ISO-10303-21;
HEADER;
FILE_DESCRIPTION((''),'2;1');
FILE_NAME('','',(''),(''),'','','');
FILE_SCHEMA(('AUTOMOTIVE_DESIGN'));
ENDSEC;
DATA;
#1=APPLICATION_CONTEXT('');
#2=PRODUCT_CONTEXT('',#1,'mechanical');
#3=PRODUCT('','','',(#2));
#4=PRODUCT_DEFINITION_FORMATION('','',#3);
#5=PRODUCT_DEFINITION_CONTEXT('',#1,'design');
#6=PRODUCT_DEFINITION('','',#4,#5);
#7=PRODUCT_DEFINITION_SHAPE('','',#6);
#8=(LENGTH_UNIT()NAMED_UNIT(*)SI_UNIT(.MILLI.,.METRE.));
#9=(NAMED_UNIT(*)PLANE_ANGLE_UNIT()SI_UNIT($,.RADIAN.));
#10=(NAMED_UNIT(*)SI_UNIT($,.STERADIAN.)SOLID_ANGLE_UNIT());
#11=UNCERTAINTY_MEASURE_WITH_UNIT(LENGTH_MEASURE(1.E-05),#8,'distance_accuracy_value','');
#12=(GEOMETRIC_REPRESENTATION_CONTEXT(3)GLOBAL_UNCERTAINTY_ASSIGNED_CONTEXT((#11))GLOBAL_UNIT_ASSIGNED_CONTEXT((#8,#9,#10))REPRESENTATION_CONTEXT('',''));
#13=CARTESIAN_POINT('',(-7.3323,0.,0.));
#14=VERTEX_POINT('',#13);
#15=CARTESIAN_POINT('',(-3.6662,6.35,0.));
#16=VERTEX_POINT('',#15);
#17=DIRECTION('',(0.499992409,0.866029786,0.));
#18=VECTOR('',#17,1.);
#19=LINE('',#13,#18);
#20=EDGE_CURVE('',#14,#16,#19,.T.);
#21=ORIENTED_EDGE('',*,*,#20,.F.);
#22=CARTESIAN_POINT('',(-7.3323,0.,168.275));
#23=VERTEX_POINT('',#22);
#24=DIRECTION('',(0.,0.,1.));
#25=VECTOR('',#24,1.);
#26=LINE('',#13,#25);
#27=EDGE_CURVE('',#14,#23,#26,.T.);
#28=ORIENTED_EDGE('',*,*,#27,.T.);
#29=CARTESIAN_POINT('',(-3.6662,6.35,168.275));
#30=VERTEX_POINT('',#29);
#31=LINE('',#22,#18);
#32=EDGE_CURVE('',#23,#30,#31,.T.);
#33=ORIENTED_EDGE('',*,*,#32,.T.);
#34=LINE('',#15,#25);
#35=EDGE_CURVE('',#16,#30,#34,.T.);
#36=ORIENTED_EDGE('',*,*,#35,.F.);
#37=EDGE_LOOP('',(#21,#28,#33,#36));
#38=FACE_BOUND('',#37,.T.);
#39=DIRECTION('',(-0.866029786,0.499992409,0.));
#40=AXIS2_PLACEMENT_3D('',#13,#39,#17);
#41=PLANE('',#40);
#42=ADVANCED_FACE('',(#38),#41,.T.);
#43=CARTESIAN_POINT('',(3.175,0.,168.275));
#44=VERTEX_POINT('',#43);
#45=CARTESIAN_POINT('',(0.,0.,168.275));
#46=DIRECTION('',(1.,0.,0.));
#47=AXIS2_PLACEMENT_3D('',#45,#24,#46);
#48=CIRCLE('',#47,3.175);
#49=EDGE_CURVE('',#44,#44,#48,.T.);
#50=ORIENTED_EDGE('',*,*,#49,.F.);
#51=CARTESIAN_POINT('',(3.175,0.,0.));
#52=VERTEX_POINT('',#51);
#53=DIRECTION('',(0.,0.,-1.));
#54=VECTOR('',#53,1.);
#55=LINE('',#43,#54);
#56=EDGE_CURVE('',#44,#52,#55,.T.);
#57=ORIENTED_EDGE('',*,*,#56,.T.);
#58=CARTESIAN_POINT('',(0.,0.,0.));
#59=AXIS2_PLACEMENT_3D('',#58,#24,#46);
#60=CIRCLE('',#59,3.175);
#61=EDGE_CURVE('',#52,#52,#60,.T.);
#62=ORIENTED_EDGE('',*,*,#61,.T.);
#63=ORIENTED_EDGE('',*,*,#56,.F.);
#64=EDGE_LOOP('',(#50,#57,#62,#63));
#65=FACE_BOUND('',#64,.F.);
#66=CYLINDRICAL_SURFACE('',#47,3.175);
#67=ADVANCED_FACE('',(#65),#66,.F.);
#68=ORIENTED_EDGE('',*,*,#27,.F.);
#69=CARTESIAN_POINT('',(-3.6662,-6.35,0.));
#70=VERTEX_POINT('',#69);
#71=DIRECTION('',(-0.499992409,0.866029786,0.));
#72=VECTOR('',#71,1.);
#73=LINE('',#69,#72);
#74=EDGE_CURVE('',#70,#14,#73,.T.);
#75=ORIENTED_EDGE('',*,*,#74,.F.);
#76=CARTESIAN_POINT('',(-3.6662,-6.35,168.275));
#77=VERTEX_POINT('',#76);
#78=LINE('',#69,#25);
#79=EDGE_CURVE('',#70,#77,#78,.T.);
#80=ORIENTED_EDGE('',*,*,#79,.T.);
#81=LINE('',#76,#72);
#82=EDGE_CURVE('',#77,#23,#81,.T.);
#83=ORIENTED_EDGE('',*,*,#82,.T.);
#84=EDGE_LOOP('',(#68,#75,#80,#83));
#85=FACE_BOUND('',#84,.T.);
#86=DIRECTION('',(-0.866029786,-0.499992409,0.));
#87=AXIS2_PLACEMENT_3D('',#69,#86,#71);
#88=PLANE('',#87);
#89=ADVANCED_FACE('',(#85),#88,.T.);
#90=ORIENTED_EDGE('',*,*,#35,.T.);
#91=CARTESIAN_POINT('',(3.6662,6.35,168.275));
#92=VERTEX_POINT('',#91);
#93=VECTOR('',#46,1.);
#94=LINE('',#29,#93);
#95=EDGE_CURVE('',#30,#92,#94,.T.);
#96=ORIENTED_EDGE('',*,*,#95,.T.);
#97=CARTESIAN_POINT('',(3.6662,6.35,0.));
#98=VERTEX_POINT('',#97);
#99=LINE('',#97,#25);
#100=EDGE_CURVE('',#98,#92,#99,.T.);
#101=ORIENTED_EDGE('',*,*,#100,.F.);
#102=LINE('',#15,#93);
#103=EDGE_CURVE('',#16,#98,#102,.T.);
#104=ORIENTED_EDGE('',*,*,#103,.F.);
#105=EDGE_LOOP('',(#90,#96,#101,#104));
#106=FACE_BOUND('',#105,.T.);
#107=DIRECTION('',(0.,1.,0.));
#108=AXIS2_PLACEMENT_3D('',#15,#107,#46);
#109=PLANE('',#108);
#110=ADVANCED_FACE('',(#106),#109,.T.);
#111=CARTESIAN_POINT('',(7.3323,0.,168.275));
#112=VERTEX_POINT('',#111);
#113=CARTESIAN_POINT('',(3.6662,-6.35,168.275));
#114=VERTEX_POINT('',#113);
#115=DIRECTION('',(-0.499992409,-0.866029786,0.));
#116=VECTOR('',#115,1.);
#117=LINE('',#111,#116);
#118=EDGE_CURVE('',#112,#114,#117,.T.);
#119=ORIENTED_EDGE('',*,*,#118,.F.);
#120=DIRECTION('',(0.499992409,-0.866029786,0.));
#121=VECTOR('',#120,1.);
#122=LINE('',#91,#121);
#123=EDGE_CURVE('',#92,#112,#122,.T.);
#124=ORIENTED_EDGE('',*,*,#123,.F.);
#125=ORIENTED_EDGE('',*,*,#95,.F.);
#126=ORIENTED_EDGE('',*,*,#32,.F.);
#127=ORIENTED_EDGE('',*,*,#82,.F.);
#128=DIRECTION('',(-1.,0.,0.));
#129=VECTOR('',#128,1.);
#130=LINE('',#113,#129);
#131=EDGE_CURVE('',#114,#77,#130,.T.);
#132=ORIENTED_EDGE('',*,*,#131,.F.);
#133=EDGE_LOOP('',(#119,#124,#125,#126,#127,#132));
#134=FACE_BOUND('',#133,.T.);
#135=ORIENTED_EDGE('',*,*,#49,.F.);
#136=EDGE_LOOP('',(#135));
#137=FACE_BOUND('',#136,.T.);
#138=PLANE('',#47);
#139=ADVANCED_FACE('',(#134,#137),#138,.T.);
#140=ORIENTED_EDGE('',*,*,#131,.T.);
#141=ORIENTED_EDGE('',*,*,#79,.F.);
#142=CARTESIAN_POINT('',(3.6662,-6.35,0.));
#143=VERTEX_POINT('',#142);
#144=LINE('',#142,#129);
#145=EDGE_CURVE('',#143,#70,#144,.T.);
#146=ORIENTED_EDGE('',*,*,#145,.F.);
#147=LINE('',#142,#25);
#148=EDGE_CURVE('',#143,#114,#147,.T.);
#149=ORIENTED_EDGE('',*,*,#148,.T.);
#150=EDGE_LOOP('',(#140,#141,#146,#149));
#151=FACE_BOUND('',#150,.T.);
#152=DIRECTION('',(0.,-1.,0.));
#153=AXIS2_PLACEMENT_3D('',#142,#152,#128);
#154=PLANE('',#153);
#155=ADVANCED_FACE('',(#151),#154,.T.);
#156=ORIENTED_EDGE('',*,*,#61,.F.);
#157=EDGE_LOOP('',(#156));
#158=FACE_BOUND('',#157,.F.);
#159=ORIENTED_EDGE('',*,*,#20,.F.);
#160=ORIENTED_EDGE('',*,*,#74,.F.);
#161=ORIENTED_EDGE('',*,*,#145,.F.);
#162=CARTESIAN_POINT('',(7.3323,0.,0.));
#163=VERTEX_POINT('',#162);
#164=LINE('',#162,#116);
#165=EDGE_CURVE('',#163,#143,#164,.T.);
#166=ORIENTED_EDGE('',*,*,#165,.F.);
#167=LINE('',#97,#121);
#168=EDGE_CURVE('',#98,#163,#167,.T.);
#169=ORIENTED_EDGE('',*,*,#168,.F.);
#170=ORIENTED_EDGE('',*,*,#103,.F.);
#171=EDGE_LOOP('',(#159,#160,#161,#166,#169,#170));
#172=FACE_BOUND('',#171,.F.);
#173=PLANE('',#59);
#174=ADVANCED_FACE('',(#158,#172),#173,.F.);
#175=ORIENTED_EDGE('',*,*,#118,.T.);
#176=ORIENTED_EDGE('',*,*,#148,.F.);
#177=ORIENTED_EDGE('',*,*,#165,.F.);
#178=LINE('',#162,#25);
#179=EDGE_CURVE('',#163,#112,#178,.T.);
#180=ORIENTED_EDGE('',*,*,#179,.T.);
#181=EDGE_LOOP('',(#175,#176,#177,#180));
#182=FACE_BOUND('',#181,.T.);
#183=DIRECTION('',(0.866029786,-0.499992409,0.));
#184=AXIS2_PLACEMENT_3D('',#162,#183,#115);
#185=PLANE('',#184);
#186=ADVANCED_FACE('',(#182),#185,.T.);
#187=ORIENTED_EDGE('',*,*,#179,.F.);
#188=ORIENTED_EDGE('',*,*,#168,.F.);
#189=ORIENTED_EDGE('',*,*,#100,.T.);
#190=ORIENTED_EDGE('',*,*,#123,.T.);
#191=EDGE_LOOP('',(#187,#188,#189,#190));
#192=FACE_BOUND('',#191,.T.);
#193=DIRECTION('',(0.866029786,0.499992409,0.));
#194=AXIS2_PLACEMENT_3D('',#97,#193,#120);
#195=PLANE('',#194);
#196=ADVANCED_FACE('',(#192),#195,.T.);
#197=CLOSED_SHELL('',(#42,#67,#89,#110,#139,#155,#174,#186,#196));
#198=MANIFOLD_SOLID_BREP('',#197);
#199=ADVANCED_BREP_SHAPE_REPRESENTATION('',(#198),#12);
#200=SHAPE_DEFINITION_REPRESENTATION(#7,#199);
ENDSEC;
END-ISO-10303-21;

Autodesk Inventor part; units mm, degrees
ref_plane "YZ Plane" through (0, 0, 0) normal (1, 0, 0) x (0, 1, 0)
ref_plane "XZ Plane" through (0, 0, 0) normal (0, 1, 0) x (-1, 0, 0)
ref_plane "XY Plane" through (0, 0, 0) normal (0, 0, 1) x (1, 0, 0)
sketch "Sketch1" plane through (0, 0, 0) normal (0, 0, 1) x (1, 0, 0)
  line L0 (7.3323, 0) -> (3.6662, -6.35)
  line L1 (3.6662, -6.35) -> (-3.6662, -6.35)
  line L2 (-3.6662, -6.35) -> (-7.3323, 0)
  line L3 (-7.3323, 0) -> (-3.6662, 6.35)
  line L4 (-3.6662, 6.35) -> (3.6662, 6.35)
  line L5 (3.6662, 6.35) -> (7.3323, 0)
  point P0 (0, 0)
  point P1 (0, 0)
  dimension "d0" = 12.7
extrude "Extrusion1" add sketch "Sketch1" along normal blind 168.275
sketch "Sketch2" plane through (0, 0, 168.275) normal (0, 0, 1) x (1, 0, 0)
  circle A0 centre (0, 0) radius 3.175
  dimension "d3" = 6.35
extrude "Extrusion2" cut sketch "Sketch2" against normal blind 203.2
properties part number "wheel hex shaft"
